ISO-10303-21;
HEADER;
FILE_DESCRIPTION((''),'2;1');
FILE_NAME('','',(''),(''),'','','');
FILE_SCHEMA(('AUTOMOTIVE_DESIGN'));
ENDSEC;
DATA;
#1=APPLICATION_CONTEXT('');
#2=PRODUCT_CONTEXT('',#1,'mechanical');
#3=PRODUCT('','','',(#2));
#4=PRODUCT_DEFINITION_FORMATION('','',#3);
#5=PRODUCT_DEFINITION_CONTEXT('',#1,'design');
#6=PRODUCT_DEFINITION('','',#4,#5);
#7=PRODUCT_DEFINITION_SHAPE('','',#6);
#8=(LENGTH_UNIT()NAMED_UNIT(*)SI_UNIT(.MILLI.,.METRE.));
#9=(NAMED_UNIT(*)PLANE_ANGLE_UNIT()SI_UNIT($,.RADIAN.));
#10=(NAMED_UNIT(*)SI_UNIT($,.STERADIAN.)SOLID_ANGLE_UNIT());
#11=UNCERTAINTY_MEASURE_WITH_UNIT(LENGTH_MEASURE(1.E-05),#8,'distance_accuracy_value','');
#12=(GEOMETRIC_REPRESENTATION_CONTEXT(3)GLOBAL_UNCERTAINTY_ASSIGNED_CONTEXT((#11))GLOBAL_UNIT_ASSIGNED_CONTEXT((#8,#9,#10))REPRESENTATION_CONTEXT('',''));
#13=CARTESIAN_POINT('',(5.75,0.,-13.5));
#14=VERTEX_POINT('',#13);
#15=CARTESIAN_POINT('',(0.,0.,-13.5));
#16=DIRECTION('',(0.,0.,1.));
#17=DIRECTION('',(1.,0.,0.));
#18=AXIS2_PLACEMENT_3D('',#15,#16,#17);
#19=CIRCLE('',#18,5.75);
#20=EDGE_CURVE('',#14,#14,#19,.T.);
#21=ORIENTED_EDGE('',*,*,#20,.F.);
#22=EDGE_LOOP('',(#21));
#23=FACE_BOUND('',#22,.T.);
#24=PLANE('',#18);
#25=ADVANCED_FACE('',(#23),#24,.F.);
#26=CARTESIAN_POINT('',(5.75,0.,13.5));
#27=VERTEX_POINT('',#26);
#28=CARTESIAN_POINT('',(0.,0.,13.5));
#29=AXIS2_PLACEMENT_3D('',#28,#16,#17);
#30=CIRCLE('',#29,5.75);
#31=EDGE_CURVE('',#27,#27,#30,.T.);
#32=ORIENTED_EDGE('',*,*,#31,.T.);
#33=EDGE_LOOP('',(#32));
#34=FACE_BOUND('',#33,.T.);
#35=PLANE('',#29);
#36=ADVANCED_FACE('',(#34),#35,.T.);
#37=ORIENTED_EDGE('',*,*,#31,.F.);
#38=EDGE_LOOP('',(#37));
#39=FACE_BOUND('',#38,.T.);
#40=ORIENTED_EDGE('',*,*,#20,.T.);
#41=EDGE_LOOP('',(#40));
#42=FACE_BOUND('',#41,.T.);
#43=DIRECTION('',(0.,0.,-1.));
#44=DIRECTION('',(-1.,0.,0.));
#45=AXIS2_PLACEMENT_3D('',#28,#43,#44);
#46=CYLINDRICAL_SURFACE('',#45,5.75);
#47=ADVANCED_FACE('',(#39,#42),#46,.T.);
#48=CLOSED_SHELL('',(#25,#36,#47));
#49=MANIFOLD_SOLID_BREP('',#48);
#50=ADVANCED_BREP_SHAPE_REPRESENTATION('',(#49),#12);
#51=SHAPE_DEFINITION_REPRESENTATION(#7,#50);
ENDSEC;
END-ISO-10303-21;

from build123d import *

# Parameters (mm, degrees)
ESQUISSE1_R        = 5.75
BOSS_EXTRU_1_DEPTH = 13.5


with BuildPart() as part:
    # Esquisse1 → Boss.-Extru.1 (new body, symmetric)
    with BuildSketch(Plane.XY):
        Circle(ESQUISSE1_R)
    extrude(amount=BOSS_EXTRU_1_DEPTH, both=True)


solid = part.part
